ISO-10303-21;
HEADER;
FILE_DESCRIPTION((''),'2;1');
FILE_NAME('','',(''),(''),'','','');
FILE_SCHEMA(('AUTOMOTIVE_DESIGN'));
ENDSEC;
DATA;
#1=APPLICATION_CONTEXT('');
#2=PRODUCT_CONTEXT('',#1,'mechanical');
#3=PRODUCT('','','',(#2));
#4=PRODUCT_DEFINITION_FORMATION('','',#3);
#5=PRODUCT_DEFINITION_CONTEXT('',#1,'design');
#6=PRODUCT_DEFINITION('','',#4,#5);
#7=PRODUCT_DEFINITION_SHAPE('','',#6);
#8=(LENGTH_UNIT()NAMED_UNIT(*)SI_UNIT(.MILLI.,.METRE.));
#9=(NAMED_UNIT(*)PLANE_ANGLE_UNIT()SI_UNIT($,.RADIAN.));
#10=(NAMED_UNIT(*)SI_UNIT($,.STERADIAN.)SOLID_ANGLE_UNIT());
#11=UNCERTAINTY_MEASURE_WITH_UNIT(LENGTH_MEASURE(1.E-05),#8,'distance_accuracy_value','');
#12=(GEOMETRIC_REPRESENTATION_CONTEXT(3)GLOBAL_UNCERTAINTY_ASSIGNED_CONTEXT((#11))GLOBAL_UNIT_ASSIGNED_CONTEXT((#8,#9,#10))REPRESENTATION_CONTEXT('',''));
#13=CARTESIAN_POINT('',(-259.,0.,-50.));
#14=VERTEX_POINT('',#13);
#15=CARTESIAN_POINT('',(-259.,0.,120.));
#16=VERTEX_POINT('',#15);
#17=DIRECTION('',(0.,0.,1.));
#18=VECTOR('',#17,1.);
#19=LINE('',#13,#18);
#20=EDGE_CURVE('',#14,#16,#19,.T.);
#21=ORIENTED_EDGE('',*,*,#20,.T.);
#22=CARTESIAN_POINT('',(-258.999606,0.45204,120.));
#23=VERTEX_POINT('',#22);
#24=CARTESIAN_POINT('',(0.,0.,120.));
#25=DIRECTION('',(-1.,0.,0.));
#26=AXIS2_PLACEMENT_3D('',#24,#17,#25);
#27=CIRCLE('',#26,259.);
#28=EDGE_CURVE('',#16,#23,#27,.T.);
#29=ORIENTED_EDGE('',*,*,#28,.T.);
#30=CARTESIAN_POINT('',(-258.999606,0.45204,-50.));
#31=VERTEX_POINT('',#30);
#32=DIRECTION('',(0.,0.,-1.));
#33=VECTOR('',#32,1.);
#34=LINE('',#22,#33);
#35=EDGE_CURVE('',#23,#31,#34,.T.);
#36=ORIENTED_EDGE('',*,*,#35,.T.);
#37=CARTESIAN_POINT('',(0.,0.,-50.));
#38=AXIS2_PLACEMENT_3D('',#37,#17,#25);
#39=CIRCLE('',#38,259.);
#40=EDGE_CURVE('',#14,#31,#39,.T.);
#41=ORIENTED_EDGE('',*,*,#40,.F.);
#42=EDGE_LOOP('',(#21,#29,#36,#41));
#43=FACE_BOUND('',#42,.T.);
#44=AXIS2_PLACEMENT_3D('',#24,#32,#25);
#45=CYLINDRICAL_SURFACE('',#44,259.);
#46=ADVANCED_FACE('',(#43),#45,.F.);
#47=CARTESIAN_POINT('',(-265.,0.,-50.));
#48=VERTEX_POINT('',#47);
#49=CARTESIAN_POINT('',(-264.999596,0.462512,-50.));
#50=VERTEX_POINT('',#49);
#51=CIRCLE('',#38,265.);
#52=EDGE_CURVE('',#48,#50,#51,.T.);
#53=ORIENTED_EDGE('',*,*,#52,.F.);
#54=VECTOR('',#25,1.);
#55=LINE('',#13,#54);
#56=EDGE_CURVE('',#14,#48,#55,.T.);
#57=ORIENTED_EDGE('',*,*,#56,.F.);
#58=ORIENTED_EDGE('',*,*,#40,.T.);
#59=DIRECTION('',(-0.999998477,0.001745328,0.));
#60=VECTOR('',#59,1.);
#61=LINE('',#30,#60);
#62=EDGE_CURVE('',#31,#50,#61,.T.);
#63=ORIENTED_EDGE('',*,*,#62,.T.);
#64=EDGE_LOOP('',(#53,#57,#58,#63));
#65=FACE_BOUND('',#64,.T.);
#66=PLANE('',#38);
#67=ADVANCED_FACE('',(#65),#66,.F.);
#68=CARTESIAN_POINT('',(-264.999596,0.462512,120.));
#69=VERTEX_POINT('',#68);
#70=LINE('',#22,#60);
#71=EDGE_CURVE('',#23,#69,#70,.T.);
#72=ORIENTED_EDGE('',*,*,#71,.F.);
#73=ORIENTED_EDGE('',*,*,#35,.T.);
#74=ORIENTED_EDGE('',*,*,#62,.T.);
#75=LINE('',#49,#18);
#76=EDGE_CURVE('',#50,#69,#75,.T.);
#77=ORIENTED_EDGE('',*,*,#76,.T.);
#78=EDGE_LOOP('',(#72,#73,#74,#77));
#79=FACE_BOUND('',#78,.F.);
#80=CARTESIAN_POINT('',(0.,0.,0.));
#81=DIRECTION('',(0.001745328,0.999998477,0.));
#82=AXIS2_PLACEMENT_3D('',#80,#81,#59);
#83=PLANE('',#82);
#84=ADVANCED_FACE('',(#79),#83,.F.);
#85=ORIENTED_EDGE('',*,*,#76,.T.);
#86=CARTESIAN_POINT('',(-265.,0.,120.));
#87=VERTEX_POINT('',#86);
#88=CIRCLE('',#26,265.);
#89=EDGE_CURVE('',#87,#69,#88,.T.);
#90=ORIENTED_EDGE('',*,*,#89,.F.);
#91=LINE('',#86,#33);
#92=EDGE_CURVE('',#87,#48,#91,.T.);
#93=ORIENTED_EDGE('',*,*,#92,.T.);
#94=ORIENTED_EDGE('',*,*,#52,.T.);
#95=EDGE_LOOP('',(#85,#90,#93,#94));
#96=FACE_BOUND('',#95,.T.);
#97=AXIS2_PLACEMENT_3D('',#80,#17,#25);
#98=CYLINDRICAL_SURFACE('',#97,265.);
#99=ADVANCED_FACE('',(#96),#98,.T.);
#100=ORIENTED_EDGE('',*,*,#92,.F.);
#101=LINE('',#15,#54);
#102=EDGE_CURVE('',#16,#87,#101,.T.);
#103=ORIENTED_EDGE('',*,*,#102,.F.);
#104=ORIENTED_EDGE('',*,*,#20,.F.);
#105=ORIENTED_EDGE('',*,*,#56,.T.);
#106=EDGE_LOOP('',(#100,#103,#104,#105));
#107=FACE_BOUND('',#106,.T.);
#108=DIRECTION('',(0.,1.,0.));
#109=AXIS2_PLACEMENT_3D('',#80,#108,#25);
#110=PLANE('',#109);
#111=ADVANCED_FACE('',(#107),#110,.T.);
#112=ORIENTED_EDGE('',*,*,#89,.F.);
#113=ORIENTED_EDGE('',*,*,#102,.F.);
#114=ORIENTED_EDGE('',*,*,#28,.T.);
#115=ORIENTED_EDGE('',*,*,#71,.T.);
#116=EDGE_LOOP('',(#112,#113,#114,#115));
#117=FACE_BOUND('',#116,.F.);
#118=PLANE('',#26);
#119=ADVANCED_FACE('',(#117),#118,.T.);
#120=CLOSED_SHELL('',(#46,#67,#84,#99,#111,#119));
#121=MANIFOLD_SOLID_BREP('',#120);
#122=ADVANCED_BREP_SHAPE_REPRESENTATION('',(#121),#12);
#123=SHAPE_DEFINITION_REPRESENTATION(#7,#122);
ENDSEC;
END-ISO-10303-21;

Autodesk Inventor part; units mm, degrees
ref_plane "YZ Plane" through (0, 0, 0) normal (1, 0, 0) x (0, 1, 0)
ref_plane "XZ Plane" through (0, 0, 0) normal (0, 1, 0) x (-1, 0, 0)
ref_plane "XY Plane" through (0, 0, 0) normal (0, 0, 1) x (1, 0, 0)
sketch "Sketch1" plane through (0, 0, 0) normal (0, 1, 0) x (-1, 0, 0)
  line L0 (259, 120) -> (259, 0)
  line L1 (259, 0) -> (265, 0)
  line L2 (0, 0) -> (0, 109.131)
  line L3 (259, 120) -> (265, 120)
  line L4 (265, 0) -> (265, 120)
  line L5 (265, 0) -> (259, 0)
  line L6 (259, 0) -> (259, -50)
  line L7 (259, -50) -> (265, -50)
  line L8 (265, -50) -> (265, 0)
  point P0 (262, 0)
  point P1 (265, 0)
  point P2 (259, 0)
  dimension "d3" = 6
  dimension "d5" = 120
  dimension "d7" = 6
  dimension "d8" = 50
  dimension "d12" = 530
revolve "Revolution1" add sketch "Sketch1" angle 359.9 about axis through (0, 0, 0) along (0, 0, 1)
equation "\"d7\" = d3"
equation "\"d12\" = AccsessHatch_tube_diameter"
equation "\"BendRadius\" = Thickness"
equation "\"BendReliefWidth\" = Thickness"
equation "\"BendReliefDepth\" = 0.5 * Thickness"
equation "\"CornerReliefSize\" = 4 * Thickness"
equation "\"MinimumRemnant\" = 2 * Thickness"
equation "\"TransitionRadius\" = BendRadius"
equation "\"JacobiRadiusSize\" = BendRadius"
equation "\"GapSize\" = Thickness"
equation "\"AccsessHatch_tube_diameter\" = 530"
equation "\"Thickness\" = 6"
properties part number "PRS 9311 accses hatch tube_D1200"
